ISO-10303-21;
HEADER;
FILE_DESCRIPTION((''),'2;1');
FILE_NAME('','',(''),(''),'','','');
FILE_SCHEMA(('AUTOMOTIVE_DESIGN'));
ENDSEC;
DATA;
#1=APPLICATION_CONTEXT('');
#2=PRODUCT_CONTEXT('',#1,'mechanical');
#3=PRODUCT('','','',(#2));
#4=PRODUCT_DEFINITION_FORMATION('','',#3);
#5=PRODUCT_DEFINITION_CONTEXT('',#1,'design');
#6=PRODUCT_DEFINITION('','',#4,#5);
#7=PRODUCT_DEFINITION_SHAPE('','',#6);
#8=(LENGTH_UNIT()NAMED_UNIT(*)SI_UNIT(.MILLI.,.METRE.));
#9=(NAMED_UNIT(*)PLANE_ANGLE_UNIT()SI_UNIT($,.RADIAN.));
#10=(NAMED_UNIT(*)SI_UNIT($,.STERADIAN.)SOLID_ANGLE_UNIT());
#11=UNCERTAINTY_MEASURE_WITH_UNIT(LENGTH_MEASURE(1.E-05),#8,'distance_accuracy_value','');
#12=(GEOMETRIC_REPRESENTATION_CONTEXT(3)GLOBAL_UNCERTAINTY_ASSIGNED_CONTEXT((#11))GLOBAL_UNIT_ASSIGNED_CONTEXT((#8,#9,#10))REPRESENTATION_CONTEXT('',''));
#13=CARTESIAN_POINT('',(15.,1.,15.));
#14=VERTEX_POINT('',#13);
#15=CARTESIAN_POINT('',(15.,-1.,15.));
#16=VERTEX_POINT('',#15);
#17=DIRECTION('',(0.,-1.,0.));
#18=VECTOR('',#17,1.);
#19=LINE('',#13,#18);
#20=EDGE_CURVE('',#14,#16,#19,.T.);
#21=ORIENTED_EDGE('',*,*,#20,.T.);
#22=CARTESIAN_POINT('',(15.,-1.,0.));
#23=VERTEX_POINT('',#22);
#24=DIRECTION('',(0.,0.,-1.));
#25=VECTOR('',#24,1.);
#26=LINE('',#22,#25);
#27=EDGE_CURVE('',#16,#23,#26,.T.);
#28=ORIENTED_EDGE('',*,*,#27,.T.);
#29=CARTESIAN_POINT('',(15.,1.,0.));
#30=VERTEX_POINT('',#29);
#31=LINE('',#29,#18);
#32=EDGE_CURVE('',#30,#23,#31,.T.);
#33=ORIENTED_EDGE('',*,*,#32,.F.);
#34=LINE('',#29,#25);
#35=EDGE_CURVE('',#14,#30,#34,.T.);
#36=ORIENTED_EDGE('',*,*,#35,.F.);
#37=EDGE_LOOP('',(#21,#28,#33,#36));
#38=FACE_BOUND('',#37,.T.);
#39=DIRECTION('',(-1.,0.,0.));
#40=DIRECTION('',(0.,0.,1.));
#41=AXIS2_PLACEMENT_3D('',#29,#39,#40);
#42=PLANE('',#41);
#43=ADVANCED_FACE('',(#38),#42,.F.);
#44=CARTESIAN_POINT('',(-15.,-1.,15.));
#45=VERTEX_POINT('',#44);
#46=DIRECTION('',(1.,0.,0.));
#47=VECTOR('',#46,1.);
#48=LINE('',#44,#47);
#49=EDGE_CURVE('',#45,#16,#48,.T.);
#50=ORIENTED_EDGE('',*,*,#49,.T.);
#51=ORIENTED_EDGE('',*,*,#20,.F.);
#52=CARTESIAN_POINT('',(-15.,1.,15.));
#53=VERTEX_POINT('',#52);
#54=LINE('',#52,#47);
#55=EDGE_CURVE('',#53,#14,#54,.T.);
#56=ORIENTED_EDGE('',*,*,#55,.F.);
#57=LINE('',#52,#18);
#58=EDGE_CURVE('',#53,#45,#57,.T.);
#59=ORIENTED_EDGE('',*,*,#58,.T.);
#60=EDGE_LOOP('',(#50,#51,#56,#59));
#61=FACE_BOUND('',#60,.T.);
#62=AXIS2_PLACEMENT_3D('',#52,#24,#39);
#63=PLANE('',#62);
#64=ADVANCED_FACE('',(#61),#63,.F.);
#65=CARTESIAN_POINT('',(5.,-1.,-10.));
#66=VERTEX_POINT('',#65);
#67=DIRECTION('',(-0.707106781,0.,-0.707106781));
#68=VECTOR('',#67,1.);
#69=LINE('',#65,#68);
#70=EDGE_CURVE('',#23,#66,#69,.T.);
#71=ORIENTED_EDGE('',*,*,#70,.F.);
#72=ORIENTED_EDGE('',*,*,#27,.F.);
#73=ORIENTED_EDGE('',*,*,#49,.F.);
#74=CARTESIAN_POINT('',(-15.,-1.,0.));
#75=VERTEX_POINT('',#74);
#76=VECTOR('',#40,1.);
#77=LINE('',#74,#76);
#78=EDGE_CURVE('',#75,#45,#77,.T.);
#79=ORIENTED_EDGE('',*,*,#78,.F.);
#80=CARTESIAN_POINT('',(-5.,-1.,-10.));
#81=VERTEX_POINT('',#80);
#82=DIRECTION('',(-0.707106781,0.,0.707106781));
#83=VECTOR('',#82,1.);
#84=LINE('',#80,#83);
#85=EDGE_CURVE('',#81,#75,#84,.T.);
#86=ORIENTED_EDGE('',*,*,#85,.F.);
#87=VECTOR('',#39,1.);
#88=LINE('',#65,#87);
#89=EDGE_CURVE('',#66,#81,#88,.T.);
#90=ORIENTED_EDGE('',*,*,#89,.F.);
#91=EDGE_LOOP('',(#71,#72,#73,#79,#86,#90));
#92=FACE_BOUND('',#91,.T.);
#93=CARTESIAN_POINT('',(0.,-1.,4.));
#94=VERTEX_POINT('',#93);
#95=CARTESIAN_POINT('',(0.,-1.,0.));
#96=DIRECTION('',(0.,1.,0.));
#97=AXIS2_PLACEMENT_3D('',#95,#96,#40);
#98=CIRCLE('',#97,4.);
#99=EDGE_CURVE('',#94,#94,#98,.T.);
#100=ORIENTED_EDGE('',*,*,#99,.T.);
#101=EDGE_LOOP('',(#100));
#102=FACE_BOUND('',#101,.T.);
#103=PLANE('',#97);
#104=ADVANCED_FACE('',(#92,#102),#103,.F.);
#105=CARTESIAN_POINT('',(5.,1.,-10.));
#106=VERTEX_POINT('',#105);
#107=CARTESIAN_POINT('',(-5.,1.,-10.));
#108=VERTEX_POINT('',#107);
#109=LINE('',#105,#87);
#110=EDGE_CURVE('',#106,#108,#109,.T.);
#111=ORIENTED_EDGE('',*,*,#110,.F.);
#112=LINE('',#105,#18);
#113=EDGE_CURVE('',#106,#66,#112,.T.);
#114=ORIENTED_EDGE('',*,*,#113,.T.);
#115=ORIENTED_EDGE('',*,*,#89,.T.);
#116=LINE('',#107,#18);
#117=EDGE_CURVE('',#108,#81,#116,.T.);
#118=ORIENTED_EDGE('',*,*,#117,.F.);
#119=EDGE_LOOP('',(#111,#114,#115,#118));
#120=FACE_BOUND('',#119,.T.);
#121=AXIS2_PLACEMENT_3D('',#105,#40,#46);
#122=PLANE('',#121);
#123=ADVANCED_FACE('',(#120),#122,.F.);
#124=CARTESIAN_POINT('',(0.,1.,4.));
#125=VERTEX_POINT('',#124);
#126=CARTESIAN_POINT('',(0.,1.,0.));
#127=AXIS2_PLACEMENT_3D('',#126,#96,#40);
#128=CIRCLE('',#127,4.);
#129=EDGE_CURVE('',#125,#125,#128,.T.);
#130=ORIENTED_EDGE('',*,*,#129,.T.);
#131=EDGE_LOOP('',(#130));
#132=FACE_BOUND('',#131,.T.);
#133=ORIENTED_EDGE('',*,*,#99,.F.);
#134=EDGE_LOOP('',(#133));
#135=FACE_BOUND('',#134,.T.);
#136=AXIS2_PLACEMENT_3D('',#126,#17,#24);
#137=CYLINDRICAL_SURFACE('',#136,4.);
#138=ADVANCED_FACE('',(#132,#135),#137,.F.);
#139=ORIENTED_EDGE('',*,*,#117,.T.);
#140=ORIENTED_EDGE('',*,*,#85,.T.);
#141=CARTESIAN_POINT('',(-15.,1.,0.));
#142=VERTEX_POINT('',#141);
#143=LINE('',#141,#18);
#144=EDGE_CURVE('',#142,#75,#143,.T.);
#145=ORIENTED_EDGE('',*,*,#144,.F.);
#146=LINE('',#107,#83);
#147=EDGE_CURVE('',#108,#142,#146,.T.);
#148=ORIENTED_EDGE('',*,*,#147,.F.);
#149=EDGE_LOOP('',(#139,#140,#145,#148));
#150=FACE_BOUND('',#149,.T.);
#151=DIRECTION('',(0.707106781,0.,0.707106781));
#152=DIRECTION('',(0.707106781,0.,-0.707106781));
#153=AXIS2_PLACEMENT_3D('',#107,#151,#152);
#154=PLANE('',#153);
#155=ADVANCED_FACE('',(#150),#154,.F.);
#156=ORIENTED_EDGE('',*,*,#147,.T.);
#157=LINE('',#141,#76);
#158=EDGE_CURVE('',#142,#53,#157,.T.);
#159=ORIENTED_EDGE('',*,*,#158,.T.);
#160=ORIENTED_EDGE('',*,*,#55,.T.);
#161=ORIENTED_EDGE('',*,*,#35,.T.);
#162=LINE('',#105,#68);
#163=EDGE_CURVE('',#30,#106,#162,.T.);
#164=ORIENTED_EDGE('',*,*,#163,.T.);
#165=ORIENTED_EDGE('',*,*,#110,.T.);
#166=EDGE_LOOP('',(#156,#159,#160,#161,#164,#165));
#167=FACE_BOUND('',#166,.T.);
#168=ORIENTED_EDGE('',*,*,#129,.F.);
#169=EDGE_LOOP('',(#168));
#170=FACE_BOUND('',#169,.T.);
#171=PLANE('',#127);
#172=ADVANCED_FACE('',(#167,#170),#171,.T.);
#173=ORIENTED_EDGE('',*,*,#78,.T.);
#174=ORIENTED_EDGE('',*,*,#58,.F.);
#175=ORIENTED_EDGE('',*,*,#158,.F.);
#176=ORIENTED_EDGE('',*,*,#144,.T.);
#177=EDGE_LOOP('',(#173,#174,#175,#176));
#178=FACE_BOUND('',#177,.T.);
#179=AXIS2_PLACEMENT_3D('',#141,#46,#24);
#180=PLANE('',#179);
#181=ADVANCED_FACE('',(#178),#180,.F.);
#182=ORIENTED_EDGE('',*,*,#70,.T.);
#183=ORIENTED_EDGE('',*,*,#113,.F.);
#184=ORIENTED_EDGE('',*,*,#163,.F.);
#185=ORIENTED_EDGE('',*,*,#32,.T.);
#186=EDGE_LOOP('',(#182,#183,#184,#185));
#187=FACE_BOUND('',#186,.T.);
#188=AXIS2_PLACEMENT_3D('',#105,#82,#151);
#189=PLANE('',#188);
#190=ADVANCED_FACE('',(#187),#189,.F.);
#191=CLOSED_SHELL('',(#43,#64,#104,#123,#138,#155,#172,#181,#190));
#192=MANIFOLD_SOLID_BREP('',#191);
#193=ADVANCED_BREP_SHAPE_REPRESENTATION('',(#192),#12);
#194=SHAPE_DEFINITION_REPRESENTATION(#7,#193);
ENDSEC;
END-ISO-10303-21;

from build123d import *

# Parameters (mm, degrees)
SKETCH1_R           = 4
BOSS_EXTRUDE1_DEPTH = 1


with BuildPart() as part:
    # Sketch1 → Boss-Extrude1 (new body, symmetric)
    with BuildSketch(Plane(origin=(0, 0, 0), x_dir=(1, 0, 0), z_dir=(0, 1, 0))):
        Polygon((5, 10), (-5, 10), (-15, 0), (-15, -15), (15, -15), (15, 0), align=None)
        Circle(SKETCH1_R, mode=Mode.SUBTRACT)
    extrude(amount=BOSS_EXTRUDE1_DEPTH, both=True)


solid = part.part
